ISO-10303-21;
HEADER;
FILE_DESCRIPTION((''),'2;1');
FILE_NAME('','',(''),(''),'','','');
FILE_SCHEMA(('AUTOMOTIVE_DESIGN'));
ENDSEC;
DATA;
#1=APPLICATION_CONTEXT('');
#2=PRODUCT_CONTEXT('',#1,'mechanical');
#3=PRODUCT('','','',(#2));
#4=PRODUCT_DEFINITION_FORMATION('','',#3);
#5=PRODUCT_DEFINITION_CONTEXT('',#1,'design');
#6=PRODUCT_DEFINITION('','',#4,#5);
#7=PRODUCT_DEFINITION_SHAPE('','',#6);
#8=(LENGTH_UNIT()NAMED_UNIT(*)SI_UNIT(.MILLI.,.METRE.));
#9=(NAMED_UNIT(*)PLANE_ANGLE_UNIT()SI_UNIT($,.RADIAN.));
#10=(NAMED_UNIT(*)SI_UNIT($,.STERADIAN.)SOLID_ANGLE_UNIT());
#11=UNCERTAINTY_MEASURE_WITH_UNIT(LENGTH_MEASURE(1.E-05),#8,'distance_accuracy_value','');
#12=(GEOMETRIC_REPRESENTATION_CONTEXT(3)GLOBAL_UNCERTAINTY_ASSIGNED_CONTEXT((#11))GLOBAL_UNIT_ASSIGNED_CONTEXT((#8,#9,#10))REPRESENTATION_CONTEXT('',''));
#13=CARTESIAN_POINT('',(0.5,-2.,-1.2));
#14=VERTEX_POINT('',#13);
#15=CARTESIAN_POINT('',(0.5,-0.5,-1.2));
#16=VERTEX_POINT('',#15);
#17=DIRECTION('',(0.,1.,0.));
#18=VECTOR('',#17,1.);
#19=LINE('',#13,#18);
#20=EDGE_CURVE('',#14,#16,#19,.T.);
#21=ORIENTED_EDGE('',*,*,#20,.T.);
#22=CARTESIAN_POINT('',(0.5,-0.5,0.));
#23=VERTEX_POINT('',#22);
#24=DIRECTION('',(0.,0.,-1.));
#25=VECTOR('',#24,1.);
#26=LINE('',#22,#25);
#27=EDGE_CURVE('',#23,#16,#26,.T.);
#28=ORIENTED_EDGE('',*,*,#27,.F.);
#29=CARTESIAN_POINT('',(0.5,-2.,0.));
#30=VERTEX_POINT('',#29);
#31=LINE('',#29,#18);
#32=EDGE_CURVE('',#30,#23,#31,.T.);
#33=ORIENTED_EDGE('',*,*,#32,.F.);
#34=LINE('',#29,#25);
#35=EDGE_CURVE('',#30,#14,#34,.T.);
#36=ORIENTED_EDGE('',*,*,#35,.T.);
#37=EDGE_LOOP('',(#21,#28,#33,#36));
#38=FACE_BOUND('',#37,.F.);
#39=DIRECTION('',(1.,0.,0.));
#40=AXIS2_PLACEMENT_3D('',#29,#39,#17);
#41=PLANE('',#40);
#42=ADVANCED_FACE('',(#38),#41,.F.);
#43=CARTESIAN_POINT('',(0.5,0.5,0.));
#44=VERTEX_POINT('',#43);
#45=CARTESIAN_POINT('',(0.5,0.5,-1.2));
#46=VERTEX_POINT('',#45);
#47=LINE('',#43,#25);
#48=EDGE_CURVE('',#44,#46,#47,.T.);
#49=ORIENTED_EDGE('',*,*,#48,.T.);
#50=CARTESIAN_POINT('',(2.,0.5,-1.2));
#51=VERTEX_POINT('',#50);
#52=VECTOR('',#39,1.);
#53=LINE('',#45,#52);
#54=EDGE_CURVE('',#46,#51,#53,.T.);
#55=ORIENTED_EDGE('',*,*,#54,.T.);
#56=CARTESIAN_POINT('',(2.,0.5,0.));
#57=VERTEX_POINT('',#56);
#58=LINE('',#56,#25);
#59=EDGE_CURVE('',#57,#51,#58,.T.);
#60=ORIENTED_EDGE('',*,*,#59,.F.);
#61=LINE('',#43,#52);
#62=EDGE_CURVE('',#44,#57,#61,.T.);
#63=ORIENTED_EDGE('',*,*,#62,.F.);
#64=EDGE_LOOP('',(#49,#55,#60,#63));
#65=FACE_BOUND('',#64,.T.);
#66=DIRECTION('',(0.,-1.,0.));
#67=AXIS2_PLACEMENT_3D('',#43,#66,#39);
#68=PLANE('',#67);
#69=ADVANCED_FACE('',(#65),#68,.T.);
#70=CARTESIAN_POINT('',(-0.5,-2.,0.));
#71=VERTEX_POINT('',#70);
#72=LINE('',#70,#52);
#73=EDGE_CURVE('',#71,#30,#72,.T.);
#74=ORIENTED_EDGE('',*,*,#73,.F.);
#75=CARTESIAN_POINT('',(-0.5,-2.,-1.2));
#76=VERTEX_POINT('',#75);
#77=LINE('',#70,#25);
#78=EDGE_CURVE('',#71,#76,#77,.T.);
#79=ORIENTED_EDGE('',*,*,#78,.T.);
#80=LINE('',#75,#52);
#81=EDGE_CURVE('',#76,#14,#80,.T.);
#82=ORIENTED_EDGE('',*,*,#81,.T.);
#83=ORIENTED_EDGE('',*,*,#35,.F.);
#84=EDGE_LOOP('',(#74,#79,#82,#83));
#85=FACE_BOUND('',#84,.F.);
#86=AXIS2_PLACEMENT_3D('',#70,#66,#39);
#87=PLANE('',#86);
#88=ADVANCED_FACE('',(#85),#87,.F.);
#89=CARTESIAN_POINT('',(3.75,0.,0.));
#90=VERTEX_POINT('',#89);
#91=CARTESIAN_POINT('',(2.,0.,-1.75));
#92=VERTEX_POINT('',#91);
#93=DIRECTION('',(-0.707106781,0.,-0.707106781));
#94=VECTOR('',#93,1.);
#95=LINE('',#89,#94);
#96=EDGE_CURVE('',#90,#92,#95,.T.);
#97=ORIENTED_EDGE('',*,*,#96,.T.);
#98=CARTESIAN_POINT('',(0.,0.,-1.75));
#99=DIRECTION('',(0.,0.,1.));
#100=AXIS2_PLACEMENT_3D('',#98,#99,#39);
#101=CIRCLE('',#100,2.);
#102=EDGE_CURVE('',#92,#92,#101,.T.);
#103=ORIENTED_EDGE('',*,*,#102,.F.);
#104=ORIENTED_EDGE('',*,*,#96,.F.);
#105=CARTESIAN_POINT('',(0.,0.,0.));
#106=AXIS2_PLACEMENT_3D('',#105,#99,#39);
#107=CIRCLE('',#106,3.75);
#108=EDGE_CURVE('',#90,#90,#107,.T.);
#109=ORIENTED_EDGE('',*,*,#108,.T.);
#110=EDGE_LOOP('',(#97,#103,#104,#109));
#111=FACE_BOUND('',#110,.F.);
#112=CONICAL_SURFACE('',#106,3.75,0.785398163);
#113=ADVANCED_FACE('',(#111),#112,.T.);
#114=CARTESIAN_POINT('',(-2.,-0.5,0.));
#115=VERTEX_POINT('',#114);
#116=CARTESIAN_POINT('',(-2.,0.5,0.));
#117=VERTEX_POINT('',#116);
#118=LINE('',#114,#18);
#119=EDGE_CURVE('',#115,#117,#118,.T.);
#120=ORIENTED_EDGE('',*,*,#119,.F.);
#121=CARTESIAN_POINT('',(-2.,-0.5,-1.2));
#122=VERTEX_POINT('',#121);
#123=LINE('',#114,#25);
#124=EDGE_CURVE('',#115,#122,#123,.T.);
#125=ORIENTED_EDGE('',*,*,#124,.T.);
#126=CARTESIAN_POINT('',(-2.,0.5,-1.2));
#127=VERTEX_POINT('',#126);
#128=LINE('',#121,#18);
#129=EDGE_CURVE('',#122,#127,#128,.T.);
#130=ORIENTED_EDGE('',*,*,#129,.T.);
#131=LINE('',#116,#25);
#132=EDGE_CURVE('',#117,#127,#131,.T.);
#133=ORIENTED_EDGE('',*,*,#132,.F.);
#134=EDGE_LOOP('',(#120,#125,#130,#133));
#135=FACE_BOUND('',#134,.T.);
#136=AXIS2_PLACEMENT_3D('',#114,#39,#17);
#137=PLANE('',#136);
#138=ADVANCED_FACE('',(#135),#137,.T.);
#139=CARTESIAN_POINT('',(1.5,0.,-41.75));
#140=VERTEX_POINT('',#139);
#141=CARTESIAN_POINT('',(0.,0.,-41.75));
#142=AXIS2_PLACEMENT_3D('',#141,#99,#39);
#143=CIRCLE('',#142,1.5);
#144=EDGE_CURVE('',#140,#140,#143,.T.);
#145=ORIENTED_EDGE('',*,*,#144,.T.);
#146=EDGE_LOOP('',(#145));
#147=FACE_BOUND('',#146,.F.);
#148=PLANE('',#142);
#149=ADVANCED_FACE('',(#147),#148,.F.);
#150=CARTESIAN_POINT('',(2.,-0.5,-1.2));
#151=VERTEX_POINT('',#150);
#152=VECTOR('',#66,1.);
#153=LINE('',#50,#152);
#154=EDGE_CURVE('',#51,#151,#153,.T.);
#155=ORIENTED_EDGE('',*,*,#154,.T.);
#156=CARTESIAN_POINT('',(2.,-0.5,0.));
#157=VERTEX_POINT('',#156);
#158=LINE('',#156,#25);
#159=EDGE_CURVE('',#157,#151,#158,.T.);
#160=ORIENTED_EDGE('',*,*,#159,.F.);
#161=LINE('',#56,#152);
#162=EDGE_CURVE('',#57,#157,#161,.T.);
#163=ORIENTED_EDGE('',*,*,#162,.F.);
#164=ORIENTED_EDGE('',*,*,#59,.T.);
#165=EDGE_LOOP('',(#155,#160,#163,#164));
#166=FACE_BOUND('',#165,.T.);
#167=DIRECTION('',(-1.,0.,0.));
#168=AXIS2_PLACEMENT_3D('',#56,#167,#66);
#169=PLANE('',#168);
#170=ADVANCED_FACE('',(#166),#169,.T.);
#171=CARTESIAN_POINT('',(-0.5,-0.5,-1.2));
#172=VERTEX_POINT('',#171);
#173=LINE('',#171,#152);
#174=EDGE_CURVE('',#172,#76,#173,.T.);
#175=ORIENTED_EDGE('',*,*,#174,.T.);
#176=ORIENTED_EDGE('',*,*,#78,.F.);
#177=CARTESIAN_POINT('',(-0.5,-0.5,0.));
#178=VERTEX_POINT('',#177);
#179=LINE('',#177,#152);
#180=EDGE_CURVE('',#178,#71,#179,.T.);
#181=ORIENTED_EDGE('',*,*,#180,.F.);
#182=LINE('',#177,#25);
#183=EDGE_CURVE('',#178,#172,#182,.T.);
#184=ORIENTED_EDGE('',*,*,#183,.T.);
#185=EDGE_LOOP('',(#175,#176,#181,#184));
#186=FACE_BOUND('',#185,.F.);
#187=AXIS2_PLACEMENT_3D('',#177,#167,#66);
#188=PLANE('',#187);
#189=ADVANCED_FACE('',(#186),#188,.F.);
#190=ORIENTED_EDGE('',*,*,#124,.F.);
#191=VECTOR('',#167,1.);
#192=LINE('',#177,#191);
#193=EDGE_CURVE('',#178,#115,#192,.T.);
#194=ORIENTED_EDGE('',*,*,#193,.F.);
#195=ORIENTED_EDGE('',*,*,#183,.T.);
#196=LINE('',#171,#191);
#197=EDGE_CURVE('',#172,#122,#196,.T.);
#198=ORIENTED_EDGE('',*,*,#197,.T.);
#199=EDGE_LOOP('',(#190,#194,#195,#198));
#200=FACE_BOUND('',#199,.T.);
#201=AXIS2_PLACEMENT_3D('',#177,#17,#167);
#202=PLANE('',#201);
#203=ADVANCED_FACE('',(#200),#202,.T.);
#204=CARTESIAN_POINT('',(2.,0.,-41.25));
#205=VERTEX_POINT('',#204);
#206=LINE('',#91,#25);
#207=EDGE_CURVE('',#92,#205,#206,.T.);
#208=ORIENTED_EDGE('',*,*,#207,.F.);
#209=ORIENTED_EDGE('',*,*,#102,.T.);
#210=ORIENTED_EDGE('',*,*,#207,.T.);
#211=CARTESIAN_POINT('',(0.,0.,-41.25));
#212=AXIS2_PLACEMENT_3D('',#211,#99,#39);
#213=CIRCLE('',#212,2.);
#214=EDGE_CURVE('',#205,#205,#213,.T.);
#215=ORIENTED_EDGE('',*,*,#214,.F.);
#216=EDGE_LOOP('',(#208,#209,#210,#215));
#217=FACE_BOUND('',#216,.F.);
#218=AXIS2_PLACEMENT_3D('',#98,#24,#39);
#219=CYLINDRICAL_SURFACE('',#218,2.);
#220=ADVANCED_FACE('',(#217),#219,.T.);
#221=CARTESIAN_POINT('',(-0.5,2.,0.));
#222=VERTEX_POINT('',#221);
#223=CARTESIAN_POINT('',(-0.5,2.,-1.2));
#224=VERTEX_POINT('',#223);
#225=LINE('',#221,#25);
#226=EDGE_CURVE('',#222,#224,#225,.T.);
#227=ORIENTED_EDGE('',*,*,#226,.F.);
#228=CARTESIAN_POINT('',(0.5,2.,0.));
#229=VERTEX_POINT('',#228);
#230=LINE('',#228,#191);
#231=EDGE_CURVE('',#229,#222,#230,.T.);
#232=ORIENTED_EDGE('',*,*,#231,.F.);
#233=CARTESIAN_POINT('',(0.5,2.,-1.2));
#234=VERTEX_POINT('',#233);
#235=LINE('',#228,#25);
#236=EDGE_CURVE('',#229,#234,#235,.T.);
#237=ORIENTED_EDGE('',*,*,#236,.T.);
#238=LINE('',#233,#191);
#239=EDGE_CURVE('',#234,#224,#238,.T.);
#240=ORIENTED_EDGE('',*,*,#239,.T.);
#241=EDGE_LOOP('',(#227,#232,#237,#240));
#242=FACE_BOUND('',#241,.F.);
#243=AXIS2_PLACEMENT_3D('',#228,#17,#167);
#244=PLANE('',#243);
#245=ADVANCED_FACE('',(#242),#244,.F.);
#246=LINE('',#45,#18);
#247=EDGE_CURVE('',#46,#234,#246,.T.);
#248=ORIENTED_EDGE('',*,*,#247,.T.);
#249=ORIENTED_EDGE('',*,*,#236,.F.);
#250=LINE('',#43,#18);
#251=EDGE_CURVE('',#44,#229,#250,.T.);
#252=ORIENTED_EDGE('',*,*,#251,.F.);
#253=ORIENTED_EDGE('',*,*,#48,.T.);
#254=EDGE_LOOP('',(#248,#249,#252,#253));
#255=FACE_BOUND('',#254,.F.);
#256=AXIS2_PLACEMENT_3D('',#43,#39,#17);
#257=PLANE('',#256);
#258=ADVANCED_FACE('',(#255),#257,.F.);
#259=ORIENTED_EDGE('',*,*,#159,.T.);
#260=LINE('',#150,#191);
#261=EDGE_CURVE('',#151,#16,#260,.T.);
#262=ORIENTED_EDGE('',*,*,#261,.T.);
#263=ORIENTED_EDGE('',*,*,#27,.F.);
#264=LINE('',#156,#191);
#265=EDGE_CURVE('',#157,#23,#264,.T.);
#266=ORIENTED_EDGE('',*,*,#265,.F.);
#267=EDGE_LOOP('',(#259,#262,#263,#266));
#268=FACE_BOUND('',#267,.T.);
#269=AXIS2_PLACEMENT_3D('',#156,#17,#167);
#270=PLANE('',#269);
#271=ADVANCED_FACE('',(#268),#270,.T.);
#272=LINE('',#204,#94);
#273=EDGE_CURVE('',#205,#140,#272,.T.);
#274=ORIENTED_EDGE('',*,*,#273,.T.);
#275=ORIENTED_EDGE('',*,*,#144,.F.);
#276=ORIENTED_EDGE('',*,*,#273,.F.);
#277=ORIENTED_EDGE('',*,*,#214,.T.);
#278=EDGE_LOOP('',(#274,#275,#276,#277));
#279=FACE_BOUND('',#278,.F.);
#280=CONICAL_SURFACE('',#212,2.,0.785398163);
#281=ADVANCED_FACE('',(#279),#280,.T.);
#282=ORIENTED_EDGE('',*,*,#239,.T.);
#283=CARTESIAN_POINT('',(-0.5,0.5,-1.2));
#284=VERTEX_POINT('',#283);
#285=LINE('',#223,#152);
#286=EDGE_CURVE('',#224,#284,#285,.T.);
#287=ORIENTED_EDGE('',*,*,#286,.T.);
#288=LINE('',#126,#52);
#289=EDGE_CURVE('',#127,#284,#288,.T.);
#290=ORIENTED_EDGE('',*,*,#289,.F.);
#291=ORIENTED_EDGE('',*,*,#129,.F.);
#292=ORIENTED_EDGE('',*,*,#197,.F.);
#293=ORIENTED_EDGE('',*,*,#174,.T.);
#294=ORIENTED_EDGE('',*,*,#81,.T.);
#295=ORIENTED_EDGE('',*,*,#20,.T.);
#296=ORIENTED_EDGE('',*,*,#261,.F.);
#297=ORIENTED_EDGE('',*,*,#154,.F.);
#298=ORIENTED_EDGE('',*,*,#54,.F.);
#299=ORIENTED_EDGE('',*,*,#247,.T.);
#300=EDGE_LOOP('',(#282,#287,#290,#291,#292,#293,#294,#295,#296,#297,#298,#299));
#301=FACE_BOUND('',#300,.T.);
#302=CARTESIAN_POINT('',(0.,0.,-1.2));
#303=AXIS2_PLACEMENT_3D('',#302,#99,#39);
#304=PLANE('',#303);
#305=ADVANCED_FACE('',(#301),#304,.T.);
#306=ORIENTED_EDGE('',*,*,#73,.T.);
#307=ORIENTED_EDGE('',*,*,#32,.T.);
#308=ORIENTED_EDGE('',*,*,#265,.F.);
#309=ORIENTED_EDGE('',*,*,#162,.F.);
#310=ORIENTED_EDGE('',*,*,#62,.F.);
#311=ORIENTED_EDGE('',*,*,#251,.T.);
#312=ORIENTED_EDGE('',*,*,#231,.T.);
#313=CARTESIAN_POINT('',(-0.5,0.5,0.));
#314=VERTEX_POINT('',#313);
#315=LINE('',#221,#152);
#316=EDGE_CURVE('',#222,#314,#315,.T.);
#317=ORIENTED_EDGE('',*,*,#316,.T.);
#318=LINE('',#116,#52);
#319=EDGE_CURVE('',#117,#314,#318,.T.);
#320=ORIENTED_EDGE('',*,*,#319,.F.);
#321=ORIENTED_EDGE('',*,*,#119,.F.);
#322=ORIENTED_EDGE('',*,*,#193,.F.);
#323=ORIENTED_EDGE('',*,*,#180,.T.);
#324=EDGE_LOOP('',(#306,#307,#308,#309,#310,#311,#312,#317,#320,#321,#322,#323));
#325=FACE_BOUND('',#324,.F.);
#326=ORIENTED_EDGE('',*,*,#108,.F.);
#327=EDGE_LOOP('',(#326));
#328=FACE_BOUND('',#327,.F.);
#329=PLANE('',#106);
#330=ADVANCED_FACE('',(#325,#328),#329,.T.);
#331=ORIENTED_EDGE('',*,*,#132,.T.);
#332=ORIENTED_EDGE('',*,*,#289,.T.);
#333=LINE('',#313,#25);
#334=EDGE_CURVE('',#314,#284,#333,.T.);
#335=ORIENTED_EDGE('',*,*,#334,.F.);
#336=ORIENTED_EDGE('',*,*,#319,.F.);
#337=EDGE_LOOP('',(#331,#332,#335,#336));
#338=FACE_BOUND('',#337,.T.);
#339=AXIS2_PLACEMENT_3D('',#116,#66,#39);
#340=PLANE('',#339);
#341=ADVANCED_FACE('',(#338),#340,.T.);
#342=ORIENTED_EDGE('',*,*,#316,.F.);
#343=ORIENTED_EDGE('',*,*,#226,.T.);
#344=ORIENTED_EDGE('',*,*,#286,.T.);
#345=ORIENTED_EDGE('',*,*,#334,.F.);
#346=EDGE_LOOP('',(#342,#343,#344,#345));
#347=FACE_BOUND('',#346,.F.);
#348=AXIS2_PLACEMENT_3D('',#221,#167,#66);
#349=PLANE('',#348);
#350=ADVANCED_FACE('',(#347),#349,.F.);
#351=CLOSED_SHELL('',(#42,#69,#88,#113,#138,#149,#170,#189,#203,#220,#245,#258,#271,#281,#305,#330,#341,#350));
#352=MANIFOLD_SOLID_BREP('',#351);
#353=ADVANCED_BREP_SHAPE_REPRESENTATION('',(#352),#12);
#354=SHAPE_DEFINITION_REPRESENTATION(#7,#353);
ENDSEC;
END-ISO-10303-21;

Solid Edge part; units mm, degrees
sketch "Sketch1" plane through (0, 0, 0) normal (0, -1, 0) x (1, 0, 0)
  line L0 (0, 0) -> (3.75, 0)
  line L1 (3.75, 0) -> (2, -1.75)
  line L2 (2, -1.75) -> (2, -41.75)
  line L3 (2, -41.75) -> (0, -41.75)
  dimension "D1" = 40
revolve "RevolvedProtrusion1" add sketch "Sketch1" angle 360 about axis through (0, 0, -21.75) along (0, 0, 1)
chamfer "end_chamfer" distance 0.5 angle 45 1 edges at (-2, 0, -41.75)
sketch "Sketch2" plane through (0, 0, 0) normal (0, 0, 1) x (0, 1, 0)
  line L0 (0.5, -0.5) -> (2, -0.5)
  line L1 (2, -0.5) -> (2, 0.5)
  line L2 (2, 0.5) -> (0.5, 0.5)
  line L3 (0.5, 2) -> (0.5, 0.5)
  line L4 (-0.5, 2) -> (0.5, 2)
  line L5 (-0.5, 0.5) -> (-0.5, 2)
  line L6 (-0.5, 0.5) -> (-2, 0.5)
  line L7 (-2, 0.5) -> (-2, -0.5)
  line L8 (-2, -0.5) -> (-0.5, -0.5)
  line L9 (-0.5, -2) -> (-0.5, -0.5)
  line L10 (0.5, -2) -> (-0.5, -2)
  line L11 (0.5, -0.5) -> (0.5, -2)
  dimension "D1" = 4
  dimension "D2" = 1
extrude "x_slot" cut sketch "Sketch2" against normal blind 1.2
cosmetic_thread "Thread1" size "M4"
properties part number "STD-DIN965-M4x40" material "Stainless steel"
